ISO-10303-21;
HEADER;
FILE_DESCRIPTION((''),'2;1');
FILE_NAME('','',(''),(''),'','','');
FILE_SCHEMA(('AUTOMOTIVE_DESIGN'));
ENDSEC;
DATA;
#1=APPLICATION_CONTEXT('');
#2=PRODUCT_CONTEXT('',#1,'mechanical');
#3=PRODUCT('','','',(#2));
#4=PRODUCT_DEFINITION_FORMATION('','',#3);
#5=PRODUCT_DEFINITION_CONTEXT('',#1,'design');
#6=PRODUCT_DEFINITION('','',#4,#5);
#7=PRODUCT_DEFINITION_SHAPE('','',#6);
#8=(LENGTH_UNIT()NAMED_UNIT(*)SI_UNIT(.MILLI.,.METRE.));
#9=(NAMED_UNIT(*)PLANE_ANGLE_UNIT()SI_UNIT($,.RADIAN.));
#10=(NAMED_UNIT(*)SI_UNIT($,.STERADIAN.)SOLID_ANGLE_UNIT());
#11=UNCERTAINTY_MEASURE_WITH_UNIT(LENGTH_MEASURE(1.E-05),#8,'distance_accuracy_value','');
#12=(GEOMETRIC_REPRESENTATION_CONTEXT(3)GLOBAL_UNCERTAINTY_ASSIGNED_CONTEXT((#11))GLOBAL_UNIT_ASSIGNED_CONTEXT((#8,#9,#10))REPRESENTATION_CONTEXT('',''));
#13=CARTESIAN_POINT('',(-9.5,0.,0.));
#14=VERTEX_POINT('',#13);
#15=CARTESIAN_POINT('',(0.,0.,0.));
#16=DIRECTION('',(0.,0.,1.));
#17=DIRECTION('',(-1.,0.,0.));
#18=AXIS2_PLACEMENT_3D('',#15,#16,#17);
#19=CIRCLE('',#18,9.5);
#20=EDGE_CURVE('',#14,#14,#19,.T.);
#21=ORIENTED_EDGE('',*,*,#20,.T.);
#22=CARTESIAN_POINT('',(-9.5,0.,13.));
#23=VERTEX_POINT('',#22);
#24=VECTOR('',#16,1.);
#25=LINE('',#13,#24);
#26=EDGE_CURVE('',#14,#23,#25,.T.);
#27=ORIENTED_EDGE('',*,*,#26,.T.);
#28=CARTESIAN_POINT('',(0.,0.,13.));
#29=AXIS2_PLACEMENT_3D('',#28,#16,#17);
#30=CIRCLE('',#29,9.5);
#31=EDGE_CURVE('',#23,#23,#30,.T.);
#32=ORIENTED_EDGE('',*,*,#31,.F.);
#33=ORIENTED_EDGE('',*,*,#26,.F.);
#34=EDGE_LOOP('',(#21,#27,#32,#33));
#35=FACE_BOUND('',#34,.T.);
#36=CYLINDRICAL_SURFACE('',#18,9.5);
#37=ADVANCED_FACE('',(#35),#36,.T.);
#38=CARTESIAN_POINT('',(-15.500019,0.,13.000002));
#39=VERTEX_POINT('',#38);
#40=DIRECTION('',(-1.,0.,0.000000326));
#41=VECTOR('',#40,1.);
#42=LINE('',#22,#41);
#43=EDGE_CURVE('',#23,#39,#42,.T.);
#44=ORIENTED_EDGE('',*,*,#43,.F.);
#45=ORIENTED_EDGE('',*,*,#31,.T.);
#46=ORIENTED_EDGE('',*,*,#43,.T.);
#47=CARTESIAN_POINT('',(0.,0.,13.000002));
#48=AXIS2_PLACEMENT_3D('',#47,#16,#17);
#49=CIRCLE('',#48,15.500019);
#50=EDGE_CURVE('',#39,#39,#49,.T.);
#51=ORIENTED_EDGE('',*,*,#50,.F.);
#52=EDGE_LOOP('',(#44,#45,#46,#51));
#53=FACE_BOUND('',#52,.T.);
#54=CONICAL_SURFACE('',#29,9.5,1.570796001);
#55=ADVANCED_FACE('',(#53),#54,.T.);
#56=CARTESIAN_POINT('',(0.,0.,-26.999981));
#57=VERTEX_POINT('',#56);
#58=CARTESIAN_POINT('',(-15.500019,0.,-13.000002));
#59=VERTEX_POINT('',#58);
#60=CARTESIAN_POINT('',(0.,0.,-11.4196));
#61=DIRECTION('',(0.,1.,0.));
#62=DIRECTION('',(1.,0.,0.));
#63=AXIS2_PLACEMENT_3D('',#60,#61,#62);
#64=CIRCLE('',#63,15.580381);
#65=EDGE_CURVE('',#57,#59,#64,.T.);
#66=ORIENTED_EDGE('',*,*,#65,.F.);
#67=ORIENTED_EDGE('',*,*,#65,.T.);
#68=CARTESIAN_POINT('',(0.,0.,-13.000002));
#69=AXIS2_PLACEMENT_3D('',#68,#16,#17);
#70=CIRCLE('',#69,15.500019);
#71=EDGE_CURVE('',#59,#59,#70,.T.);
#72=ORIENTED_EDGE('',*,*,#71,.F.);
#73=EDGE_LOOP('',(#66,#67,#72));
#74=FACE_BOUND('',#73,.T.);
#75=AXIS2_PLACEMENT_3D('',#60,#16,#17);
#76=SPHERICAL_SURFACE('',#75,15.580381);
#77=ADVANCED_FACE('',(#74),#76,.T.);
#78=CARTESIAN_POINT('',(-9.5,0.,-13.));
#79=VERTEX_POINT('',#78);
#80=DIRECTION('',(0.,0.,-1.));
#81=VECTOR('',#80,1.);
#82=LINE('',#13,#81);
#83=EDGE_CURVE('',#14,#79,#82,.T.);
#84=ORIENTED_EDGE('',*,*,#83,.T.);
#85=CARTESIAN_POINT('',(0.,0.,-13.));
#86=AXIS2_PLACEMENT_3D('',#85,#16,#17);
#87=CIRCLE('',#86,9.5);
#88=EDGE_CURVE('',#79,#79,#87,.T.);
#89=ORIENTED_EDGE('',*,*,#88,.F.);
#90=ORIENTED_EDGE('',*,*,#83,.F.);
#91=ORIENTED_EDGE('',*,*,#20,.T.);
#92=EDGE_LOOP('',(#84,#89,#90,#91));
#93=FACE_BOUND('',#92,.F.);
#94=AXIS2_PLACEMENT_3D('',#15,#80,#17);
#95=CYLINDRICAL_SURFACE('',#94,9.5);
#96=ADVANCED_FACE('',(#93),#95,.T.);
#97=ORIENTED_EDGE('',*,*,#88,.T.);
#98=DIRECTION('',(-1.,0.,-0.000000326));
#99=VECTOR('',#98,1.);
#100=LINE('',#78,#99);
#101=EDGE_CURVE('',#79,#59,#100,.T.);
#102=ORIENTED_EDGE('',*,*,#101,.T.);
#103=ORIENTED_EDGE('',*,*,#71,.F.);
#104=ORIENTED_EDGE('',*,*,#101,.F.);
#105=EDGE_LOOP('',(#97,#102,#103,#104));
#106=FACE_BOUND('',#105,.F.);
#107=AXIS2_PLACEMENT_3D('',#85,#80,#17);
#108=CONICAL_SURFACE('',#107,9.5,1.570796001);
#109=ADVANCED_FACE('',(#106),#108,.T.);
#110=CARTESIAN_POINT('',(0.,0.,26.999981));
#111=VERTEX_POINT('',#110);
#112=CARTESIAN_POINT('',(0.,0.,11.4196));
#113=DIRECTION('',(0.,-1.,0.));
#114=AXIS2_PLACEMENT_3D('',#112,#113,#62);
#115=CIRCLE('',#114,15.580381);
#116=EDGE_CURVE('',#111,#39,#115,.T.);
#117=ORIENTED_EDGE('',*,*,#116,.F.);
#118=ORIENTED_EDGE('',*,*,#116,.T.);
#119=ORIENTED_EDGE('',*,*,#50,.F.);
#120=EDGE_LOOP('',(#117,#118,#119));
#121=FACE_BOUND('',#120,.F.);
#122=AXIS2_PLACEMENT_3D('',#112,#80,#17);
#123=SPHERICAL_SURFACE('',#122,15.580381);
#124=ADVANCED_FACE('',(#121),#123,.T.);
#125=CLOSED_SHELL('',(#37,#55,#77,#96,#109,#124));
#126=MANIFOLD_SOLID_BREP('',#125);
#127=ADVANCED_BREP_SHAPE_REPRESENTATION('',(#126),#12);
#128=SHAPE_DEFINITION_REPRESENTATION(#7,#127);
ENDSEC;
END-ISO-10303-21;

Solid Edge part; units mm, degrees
sketch "Sketch1" plane through (0, 0, 0) normal (0, -1, 0) x (1, 0, 0)
  arc A0 (0, 27) -> (-15.5, 13) centre (0, 11.4196) ccw
  line L0 (-9.5, 13) -> (-15.5, 13)
  line L1 (-9.5, 0) -> (-9.5, 13)
  line L2 (-9.5, 0) -> (-9.5, -13)
  line L3 (-9.5, -13) -> (-15.5, -13)
  arc A1 (0, -27) -> (-15.5, -13) centre (0, -11.4196) cw
  line L4 (0, 0) -> (0, -27)
  line L5 (0, 0) -> (0, 27)
revolve "RevolvedProtrusion1" add sketch "Sketch1" angle 360 about axis through (0, 0, 0) along (0, 0, 1)
